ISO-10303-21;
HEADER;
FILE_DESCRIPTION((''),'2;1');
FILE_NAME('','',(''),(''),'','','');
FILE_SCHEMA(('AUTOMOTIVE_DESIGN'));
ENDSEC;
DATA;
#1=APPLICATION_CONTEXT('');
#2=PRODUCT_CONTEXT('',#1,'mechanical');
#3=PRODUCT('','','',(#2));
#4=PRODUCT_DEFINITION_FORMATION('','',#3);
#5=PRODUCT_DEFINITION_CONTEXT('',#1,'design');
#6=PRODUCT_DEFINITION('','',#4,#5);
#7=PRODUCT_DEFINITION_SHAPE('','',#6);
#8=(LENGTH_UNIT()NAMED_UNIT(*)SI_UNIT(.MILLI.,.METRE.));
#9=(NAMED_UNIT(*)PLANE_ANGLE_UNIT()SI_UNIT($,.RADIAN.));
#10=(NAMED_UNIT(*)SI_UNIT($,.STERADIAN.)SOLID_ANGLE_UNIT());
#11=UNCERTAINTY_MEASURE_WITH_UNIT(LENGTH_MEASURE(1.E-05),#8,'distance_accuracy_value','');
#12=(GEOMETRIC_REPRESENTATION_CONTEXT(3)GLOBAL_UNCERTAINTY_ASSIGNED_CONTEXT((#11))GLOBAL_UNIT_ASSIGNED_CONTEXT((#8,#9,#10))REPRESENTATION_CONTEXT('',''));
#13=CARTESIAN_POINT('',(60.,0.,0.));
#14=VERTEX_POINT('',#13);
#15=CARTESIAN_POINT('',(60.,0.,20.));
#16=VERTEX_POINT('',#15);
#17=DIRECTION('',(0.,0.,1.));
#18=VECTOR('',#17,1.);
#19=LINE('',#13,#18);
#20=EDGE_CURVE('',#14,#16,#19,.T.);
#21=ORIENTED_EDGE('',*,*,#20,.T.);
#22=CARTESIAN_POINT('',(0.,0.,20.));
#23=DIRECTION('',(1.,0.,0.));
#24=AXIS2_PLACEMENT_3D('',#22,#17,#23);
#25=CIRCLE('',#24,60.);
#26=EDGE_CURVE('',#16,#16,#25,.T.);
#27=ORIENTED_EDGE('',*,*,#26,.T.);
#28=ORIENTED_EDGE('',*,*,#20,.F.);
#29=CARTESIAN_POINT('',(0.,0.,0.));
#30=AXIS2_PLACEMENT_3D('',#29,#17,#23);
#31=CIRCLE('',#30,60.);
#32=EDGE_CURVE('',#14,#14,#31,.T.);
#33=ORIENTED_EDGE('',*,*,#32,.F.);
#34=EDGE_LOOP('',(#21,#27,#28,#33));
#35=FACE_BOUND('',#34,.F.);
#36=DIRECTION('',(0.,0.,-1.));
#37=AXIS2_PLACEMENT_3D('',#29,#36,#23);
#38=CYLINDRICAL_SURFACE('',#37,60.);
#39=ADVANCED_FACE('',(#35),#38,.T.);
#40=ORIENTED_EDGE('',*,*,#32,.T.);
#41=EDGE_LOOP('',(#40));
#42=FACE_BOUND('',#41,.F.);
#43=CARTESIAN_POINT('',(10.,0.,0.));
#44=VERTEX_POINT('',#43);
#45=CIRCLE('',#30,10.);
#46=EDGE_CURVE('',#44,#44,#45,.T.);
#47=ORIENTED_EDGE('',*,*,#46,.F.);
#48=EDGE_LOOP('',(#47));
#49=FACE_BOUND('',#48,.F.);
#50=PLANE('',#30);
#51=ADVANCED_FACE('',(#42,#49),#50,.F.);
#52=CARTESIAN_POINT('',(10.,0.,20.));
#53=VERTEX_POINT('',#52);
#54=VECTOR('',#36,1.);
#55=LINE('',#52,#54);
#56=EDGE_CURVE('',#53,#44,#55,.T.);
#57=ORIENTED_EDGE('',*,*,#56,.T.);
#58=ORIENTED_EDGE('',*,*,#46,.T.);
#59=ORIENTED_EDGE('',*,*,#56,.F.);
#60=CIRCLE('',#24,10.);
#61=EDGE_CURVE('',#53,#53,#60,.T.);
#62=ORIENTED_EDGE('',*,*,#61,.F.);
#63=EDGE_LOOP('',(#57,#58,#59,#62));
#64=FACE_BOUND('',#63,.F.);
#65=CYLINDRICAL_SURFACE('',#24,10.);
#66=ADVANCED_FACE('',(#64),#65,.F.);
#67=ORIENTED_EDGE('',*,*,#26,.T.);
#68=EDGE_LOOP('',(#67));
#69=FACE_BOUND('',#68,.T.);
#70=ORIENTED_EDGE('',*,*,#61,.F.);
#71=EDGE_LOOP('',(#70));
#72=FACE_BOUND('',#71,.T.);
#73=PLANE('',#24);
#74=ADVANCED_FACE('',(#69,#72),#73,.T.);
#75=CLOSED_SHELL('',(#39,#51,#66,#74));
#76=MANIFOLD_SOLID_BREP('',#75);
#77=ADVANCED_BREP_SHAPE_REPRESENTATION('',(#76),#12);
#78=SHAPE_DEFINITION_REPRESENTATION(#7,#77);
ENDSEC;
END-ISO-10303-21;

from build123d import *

# Parameters (mm, degrees)
SKETCH1_R           = 60
BOSS_EXTRUDE2_DEPTH = 20
SKETCH2_R           = 10
CUT_EXTRUDE1_DEPTH  = 21


with BuildPart() as part:
    # Sketch1 → Boss-Extrude2 (new body)
    with BuildSketch(Plane.XY):
        Circle(SKETCH1_R)
    extrude(amount=BOSS_EXTRUDE2_DEPTH)

    # Sketch2 → Cut-Extrude1 (cut, through all)
    with BuildSketch(Plane.XY.offset(20)):
        Circle(SKETCH2_R)
    extrude(amount=-CUT_EXTRUDE1_DEPTH, mode=Mode.SUBTRACT)


solid = part.part
